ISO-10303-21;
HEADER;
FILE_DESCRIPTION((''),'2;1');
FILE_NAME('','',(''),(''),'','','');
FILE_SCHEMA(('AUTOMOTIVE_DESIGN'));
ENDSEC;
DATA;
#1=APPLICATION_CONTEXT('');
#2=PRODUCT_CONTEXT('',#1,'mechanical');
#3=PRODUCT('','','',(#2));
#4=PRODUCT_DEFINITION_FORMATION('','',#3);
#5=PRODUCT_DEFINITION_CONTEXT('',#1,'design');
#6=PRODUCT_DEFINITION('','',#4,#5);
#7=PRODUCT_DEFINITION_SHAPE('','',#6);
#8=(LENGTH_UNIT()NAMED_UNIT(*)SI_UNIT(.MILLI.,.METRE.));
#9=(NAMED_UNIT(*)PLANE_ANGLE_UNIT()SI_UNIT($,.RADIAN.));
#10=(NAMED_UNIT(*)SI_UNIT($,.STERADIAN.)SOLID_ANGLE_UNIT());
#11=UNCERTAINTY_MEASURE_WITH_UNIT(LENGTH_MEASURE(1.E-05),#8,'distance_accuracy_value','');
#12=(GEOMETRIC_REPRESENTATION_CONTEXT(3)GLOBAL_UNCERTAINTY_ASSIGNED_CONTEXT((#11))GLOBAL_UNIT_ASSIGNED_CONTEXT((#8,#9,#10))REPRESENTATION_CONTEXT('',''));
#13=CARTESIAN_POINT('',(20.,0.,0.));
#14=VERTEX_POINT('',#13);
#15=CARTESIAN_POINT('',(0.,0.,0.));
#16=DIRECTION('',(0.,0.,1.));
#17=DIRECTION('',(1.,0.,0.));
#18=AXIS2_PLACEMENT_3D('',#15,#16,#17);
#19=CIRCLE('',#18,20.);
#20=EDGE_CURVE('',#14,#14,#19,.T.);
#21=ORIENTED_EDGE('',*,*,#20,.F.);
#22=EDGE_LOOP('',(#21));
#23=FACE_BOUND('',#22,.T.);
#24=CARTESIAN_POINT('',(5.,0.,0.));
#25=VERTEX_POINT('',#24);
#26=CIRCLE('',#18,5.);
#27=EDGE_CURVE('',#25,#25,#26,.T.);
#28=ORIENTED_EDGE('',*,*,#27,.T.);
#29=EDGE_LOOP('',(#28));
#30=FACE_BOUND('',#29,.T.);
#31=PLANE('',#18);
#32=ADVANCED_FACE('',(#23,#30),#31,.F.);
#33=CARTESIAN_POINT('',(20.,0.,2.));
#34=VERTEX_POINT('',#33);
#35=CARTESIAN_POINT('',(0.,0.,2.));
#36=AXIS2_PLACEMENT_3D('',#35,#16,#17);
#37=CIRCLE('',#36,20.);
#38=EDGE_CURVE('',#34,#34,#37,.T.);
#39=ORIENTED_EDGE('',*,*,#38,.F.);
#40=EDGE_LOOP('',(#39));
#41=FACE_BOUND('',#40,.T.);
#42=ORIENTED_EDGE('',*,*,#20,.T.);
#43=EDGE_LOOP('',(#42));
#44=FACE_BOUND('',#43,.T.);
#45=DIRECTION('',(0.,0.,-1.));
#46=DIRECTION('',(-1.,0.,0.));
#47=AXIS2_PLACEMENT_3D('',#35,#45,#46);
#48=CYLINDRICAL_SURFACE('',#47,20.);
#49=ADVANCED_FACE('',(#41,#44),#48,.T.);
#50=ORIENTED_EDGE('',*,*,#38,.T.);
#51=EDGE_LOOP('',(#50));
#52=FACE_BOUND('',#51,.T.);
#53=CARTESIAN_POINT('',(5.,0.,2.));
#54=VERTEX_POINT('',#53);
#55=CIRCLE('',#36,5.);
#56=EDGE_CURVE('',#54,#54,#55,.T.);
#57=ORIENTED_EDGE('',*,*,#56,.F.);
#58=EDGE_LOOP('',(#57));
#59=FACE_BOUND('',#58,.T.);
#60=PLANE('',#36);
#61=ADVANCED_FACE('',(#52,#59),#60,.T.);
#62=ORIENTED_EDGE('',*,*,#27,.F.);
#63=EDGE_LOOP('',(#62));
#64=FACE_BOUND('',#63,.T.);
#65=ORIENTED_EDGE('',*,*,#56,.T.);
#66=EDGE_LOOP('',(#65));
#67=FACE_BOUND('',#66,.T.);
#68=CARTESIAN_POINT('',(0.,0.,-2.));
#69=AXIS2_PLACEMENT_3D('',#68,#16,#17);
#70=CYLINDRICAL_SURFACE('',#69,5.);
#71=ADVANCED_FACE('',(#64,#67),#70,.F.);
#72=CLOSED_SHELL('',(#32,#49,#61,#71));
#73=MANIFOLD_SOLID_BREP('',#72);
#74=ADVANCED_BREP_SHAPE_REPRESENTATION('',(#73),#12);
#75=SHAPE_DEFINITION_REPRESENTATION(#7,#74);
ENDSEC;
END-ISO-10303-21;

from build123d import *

# Parameters (mm, degrees)
SKETCH1_R           = 20
BOSS_EXTRUDE1_DEPTH = 2
SKETCH2_R           = 5
CUT_EXTRUDE1_DEPTH  = 4


with BuildPart() as part:
    # Sketch1 → Boss-Extrude1 (new body)
    with BuildSketch(Plane.XY):
        Circle(SKETCH1_R)
    extrude(amount=BOSS_EXTRUDE1_DEPTH)

    # Sketch2 → Cut-Extrude1 (cut)
    with BuildSketch(Plane.XY.offset(2)):
        Circle(SKETCH2_R)
    extrude(amount=-CUT_EXTRUDE1_DEPTH, mode=Mode.SUBTRACT)


solid = part.part
